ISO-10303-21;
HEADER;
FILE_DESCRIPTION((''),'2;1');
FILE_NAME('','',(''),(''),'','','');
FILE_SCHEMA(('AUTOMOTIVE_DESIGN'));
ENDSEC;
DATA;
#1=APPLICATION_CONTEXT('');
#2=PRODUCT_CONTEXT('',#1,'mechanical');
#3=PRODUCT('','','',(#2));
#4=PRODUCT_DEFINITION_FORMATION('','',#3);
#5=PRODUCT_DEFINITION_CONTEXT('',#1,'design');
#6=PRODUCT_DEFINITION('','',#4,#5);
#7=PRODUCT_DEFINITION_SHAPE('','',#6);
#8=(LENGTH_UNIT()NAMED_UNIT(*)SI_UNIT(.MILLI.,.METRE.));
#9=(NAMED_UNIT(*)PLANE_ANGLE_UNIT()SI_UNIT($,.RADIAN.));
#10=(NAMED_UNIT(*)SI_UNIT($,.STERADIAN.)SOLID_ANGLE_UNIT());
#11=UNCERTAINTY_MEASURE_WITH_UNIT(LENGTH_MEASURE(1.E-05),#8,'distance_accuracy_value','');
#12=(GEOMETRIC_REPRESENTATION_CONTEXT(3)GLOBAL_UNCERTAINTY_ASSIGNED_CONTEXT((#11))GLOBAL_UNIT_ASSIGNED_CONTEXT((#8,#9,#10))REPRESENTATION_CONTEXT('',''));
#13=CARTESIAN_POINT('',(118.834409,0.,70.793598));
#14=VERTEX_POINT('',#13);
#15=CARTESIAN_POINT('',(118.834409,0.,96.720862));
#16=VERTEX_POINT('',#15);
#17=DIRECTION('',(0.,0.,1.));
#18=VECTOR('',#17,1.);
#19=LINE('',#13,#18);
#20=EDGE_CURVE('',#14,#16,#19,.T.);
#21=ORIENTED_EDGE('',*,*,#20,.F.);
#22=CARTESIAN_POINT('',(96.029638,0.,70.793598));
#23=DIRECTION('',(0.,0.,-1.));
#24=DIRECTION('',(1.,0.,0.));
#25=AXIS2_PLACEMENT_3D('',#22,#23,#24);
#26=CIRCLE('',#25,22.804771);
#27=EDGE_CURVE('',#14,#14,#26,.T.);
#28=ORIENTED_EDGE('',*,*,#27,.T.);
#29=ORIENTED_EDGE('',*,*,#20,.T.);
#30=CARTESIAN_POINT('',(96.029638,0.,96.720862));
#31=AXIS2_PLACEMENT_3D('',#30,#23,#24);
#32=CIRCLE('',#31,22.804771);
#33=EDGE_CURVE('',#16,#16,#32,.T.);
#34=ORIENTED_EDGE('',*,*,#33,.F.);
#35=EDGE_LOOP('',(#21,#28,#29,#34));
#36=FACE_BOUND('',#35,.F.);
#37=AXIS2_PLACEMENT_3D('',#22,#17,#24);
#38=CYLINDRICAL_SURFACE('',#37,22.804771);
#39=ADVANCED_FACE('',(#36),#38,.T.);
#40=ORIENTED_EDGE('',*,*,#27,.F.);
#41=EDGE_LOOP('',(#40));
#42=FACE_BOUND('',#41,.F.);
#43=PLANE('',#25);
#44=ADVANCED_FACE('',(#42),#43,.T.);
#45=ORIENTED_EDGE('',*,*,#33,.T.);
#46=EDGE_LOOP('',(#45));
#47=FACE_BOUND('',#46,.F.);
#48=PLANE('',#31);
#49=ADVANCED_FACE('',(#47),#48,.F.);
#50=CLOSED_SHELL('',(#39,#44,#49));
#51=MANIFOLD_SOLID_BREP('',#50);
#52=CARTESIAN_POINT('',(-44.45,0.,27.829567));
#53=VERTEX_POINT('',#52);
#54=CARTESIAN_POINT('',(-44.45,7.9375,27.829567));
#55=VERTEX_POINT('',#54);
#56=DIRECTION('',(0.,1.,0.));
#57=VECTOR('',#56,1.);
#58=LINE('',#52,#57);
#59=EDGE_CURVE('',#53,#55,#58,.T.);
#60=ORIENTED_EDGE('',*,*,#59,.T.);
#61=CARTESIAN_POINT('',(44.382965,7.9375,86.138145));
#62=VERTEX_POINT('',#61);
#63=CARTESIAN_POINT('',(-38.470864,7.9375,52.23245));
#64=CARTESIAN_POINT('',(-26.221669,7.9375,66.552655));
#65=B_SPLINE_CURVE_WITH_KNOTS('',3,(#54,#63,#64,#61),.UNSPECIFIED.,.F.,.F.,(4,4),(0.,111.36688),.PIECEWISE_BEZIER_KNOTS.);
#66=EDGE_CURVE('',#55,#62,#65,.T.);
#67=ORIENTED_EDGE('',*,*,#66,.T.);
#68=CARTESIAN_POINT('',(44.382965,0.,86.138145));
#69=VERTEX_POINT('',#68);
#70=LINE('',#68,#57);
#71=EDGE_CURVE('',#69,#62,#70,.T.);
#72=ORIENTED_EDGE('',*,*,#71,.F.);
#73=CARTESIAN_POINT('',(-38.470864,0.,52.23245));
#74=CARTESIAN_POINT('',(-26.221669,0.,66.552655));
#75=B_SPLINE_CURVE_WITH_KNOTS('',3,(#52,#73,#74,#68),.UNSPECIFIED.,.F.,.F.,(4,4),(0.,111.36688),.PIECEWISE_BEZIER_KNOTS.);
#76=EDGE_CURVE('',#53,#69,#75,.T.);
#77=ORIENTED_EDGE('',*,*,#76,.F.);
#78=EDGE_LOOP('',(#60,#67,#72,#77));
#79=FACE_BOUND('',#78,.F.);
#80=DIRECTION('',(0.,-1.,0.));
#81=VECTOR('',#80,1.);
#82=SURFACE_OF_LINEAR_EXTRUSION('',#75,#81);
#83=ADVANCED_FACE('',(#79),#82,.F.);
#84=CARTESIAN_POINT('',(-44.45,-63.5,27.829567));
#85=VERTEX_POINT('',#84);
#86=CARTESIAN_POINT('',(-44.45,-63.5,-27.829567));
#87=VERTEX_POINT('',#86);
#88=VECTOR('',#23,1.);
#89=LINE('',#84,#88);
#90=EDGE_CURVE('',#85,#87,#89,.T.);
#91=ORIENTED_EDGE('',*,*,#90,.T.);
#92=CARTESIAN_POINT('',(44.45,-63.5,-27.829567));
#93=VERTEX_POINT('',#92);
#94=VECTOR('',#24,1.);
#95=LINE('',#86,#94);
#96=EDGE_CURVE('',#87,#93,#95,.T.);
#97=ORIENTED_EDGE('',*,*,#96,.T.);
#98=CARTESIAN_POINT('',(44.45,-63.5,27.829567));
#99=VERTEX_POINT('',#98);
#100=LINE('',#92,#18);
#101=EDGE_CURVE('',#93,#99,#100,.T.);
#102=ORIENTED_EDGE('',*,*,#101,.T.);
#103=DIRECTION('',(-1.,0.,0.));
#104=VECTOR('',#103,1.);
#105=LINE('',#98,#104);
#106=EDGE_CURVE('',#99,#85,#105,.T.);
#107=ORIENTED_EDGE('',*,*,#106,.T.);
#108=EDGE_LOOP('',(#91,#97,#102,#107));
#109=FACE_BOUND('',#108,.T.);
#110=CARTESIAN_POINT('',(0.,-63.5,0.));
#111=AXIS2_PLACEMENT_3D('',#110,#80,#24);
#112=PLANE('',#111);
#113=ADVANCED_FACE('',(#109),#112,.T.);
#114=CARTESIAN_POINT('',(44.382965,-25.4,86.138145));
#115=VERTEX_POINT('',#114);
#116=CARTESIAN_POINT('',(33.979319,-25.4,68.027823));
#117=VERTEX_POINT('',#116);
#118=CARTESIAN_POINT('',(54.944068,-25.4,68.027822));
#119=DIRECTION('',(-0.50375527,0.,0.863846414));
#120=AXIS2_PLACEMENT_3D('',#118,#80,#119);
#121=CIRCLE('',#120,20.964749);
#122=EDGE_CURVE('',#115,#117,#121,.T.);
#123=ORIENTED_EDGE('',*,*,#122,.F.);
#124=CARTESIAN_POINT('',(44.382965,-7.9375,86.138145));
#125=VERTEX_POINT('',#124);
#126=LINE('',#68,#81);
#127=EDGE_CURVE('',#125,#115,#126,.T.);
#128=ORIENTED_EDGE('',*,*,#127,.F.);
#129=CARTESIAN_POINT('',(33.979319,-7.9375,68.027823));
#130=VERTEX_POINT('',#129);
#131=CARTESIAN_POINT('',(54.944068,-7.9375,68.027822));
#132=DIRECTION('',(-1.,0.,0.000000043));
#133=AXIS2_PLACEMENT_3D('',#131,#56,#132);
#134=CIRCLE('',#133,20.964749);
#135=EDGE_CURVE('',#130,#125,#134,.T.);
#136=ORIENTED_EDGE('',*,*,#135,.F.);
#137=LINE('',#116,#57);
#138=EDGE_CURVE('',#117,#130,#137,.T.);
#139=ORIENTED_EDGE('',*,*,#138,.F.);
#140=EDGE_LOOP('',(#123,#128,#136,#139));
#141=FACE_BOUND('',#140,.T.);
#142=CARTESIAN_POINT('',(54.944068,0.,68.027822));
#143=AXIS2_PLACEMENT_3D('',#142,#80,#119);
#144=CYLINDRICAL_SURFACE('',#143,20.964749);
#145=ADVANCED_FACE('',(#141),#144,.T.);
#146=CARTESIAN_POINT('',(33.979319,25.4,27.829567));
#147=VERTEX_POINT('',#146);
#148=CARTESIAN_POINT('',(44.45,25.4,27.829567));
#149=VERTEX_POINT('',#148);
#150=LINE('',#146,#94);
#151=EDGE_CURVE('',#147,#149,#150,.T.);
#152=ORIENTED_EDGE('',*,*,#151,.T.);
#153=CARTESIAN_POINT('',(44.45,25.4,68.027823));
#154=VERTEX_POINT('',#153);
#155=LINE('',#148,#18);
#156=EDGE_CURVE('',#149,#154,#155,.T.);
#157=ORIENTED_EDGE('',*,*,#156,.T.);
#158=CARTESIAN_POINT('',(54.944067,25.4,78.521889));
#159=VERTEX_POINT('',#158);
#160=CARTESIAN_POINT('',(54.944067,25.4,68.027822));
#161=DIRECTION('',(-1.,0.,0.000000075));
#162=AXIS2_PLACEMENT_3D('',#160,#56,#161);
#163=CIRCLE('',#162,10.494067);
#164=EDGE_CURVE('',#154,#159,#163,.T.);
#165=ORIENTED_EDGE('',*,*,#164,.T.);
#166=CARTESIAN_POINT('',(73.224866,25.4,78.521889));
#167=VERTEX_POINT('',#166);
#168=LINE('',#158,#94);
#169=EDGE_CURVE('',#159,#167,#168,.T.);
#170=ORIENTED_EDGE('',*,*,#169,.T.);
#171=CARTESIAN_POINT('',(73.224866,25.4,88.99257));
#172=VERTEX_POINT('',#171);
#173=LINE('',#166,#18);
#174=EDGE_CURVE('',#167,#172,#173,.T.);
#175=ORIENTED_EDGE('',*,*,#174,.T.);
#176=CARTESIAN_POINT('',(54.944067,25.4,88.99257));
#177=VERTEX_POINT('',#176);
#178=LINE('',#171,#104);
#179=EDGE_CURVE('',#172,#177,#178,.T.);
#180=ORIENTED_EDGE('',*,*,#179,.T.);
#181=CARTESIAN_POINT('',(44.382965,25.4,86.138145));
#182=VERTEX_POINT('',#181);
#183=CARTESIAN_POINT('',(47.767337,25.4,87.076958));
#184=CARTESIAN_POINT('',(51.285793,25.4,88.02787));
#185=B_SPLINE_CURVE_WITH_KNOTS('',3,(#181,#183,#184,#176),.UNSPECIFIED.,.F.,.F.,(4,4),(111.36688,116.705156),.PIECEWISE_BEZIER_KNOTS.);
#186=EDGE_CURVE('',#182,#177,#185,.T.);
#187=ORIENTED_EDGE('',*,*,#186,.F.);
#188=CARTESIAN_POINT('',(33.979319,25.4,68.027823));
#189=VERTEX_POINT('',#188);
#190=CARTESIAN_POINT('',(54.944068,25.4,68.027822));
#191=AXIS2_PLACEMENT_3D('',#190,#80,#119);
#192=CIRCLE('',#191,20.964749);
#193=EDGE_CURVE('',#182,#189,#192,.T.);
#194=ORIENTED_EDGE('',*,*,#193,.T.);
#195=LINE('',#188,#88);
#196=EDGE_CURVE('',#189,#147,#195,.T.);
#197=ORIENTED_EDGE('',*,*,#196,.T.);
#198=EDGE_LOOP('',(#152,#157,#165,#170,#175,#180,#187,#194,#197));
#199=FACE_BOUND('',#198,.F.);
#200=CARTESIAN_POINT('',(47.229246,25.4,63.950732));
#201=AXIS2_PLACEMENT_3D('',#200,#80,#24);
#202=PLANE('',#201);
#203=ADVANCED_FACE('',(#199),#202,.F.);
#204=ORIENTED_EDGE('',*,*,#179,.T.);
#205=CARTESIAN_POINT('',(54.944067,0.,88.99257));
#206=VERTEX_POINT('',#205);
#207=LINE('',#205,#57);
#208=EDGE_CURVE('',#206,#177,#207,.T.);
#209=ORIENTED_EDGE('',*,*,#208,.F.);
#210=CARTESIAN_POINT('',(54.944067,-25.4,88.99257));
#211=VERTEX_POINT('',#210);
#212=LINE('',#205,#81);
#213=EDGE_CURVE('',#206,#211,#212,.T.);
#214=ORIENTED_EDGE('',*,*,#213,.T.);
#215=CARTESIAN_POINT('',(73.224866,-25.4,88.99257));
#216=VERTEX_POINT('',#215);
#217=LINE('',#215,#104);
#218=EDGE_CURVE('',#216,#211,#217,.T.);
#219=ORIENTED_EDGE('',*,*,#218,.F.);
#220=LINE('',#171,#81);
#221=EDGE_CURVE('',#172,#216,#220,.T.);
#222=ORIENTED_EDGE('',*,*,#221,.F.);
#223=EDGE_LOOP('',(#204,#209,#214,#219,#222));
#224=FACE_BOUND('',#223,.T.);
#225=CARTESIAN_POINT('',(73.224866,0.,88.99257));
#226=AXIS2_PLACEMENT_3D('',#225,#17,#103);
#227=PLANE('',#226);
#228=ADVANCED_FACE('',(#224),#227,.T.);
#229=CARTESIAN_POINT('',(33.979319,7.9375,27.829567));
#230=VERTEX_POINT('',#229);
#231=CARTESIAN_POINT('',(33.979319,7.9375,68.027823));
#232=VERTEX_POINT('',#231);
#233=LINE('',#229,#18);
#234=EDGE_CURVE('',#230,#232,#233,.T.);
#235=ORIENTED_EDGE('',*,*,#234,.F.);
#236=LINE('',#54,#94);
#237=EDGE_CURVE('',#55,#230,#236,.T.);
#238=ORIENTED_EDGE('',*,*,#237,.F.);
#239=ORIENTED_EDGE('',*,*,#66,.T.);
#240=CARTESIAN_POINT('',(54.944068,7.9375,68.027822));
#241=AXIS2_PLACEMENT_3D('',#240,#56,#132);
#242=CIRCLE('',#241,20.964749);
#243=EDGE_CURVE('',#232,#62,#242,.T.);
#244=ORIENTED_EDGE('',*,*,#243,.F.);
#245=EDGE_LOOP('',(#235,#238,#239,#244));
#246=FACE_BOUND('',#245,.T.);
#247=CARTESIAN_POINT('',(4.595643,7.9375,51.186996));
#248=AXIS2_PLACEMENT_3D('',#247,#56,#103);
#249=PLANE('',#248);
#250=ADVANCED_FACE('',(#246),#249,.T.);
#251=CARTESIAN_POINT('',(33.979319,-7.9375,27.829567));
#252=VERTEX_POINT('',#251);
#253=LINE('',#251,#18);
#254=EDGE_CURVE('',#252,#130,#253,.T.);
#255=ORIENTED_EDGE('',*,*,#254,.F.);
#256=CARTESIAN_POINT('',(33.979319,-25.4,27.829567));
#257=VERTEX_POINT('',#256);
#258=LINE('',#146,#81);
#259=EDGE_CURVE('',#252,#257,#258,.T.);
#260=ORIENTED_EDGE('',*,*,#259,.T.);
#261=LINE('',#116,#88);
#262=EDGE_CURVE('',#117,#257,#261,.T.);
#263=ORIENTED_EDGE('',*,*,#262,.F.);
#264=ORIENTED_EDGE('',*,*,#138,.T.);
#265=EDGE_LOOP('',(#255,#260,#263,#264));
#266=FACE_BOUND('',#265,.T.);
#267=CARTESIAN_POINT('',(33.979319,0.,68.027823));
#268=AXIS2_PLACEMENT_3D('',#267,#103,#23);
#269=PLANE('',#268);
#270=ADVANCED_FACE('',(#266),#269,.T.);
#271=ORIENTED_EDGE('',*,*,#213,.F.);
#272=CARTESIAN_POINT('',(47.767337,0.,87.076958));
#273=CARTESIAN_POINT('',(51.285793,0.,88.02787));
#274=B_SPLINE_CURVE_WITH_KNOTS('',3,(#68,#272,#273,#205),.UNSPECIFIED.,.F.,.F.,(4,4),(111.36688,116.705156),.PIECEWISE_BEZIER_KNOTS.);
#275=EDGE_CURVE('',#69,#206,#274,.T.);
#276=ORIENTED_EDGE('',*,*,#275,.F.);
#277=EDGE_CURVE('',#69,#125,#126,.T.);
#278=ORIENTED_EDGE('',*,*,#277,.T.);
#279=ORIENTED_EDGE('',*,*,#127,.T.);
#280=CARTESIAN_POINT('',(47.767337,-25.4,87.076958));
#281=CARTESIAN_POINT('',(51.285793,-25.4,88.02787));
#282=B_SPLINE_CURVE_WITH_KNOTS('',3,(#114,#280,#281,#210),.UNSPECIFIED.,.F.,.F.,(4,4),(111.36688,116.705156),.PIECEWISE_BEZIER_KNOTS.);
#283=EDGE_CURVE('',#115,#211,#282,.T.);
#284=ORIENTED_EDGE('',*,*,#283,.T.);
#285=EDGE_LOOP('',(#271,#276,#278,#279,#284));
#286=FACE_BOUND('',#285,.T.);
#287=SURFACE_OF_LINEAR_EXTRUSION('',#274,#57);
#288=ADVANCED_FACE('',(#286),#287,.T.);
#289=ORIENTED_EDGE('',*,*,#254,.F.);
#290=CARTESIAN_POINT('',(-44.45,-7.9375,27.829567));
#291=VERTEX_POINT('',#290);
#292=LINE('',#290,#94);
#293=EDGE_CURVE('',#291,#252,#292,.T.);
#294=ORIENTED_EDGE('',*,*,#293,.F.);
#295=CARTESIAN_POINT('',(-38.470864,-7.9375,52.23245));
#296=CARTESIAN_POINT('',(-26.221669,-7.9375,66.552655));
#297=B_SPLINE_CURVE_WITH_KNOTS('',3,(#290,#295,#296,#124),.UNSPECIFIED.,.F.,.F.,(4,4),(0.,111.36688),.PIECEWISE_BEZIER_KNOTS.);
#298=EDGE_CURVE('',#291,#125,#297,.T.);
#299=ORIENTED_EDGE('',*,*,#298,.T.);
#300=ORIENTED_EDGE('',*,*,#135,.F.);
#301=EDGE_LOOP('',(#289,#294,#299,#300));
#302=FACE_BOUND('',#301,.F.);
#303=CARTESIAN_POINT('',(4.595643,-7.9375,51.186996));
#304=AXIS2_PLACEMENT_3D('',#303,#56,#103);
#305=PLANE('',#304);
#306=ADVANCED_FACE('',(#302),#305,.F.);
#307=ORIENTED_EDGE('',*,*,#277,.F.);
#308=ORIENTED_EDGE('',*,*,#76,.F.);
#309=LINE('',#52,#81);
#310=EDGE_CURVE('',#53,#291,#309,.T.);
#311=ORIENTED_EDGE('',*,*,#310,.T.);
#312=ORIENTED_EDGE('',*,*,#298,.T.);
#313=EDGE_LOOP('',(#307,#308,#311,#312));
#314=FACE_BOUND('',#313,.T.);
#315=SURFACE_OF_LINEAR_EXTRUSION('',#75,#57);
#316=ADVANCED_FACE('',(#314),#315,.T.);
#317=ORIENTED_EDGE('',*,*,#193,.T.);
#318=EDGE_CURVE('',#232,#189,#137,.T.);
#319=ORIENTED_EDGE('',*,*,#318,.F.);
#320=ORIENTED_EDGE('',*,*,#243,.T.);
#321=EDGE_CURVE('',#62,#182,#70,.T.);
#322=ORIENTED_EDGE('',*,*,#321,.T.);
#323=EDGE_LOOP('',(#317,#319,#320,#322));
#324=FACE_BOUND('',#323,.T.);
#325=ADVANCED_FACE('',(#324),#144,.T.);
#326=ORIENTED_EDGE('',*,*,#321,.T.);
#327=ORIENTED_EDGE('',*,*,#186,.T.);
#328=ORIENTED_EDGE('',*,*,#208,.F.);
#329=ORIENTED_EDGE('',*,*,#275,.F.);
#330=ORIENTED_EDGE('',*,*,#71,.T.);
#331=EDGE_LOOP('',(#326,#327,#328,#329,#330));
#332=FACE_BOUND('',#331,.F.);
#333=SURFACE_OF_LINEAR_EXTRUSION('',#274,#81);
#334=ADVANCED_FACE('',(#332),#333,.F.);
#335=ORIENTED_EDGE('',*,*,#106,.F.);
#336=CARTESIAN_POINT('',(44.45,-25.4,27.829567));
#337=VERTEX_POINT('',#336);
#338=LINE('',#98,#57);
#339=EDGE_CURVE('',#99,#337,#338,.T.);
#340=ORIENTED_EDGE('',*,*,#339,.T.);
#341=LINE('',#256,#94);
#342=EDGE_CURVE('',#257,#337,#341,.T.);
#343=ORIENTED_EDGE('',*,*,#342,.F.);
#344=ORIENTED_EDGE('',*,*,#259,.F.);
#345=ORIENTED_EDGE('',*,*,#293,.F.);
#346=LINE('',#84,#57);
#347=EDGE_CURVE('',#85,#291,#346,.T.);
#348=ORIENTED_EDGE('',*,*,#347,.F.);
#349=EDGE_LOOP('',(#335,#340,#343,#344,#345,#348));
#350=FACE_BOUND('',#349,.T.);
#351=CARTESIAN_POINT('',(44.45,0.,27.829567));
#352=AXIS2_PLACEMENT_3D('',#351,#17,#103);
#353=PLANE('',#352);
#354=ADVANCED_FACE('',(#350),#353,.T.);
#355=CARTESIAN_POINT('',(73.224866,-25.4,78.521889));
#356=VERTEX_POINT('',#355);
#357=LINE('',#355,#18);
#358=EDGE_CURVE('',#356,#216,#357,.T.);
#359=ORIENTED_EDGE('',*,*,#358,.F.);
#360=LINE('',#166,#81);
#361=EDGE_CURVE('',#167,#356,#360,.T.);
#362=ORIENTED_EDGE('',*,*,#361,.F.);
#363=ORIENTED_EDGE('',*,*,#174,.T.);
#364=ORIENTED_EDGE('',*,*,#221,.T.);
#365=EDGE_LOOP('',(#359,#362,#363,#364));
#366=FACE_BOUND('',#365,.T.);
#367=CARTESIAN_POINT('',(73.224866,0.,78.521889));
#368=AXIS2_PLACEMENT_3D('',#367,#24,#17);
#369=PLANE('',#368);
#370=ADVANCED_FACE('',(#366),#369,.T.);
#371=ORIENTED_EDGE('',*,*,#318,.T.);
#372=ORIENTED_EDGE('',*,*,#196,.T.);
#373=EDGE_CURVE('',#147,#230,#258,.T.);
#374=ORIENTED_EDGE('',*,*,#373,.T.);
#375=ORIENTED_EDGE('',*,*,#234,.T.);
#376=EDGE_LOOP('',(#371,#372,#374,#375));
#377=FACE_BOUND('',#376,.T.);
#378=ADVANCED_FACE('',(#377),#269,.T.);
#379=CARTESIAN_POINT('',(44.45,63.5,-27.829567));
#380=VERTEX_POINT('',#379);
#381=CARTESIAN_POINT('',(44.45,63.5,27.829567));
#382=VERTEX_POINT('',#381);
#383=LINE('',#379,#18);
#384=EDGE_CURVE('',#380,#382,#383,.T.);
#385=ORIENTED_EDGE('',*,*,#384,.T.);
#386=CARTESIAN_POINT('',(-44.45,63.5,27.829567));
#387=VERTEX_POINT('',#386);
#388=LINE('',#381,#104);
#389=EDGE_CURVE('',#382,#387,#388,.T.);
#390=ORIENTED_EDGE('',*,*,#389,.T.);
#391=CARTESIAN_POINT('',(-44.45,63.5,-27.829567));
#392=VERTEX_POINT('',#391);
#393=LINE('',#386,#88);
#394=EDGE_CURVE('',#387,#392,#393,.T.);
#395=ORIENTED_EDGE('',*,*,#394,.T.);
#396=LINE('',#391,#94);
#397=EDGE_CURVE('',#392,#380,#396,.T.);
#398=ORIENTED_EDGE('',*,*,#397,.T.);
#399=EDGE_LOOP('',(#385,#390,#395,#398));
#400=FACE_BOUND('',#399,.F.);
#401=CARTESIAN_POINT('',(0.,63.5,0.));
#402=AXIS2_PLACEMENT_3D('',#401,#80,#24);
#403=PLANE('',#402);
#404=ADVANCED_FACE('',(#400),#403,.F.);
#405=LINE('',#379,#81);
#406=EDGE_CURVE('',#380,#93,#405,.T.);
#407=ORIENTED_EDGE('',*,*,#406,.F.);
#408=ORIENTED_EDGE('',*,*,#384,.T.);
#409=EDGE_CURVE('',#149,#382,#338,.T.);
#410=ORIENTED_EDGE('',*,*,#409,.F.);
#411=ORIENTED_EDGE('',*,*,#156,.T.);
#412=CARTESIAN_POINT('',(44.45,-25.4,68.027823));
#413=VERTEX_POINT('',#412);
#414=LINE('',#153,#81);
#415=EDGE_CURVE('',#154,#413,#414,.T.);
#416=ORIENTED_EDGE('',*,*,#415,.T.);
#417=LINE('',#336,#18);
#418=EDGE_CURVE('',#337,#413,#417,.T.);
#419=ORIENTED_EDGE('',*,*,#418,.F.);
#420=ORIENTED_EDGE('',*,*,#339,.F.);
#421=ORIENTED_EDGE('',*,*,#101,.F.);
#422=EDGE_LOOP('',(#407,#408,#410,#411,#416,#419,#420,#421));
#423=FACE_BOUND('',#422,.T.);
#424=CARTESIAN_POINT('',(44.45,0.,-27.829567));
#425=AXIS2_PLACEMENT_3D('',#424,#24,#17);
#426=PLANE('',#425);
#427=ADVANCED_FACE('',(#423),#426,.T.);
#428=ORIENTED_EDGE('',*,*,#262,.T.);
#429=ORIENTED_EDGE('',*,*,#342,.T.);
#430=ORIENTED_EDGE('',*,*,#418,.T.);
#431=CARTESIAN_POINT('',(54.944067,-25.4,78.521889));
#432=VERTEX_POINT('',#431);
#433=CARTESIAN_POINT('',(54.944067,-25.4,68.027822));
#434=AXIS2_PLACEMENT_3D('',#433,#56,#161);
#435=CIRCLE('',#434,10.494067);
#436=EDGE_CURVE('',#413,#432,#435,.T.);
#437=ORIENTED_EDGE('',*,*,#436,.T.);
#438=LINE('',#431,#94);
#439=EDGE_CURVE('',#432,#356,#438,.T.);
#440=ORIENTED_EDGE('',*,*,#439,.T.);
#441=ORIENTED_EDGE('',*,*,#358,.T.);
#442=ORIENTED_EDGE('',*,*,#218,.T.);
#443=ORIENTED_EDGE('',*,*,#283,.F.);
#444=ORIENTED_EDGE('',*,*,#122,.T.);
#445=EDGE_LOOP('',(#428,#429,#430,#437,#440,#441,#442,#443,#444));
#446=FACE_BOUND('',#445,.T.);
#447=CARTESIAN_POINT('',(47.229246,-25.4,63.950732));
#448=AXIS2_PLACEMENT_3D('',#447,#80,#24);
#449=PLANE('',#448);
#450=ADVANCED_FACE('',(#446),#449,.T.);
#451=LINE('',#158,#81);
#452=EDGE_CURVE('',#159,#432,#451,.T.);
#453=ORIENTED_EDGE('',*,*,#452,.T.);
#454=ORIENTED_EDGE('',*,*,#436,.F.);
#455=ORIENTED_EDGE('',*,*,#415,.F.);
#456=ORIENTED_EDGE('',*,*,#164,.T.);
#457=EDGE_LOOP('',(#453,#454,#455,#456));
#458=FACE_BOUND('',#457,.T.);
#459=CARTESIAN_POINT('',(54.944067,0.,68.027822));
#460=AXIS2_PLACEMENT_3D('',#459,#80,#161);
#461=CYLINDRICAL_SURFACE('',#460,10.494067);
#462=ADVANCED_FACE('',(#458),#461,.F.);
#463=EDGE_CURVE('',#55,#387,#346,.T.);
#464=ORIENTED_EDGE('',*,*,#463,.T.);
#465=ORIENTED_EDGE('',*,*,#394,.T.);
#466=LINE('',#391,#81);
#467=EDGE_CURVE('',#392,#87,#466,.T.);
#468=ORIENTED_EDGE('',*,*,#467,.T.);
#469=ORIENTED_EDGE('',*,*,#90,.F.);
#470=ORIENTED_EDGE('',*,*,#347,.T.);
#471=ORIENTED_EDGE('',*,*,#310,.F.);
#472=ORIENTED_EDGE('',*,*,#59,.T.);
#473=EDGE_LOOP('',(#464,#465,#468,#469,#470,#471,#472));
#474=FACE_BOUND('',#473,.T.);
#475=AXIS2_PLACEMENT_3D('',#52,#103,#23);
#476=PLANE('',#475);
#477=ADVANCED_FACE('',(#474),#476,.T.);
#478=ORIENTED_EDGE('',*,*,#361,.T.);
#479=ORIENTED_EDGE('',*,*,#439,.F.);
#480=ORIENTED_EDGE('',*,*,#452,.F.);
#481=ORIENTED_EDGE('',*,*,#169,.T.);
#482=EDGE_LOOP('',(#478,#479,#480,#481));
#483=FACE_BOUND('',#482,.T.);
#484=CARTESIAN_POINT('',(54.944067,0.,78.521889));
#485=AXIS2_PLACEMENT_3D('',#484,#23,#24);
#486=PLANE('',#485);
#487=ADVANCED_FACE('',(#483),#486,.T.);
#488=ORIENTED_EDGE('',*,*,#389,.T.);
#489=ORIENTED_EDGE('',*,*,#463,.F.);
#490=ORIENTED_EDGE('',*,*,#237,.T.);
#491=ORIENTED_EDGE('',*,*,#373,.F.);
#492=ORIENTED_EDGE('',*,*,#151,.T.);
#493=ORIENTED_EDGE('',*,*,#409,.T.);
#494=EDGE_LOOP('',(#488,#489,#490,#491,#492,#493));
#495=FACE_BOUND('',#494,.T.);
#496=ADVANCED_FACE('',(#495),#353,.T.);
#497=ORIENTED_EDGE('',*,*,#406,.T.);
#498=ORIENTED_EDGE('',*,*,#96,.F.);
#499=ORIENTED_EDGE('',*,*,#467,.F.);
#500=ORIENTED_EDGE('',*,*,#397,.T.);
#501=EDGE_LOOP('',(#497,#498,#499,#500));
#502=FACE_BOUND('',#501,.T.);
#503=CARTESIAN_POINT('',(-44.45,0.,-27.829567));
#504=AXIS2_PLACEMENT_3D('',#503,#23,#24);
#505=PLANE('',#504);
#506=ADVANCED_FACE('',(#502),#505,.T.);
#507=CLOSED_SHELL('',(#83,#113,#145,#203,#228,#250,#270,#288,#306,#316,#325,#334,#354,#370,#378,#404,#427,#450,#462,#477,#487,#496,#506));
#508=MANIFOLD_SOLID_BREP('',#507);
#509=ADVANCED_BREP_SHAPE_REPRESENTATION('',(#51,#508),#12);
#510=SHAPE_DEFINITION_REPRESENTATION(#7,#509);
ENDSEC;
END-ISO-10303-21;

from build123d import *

# Parameters (mm, degrees)
F1_DEPTH = 63.5
F2_DEPTH = 25.4
F3_DEPTH = 7.9375


with BuildPart() as f1:
    # F0 (on Front) → F1 (new body, symmetric)
    with BuildSketch(Plane.XZ):
        Polygon((33.979319, 27.829567), (-44.45, 27.829567), (-44.45, -27.829567), (44.45, -27.829567), (44.45, 27.829567), align=None)
    extrude(amount=F1_DEPTH, both=True)

    # F0 (on Front) → F2 (join, symmetric)
    with BuildSketch(Plane.XZ):
        with BuildLine():
            Line((33.979319, 68.027823), (33.979319, 27.829567))
            Line((33.979319, 27.829567), (44.45, 27.829567))
            Line((44.45, 27.829567), (44.45, 68.027823))
            ThreePointArc((44.45, 68.027823), (47.523641, 75.448248), (54.944067, 78.521889))
            Line((54.944067, 78.521889), (73.224866, 78.521889))
            Line((73.224866, 78.521889), (73.224866, 88.99257))
            Line((73.224866, 88.99257), (54.944067, 88.99257))
            add(Edge.make_bspline(
                [(44.382965, 86.138145), (47.767337, 87.076958), (51.285793, 88.02787), (54.944067, 88.99257)],
                knots=[111.36688, 111.36688, 111.36688, 111.36688, 116.705156, 116.705156, 116.705156, 116.705156], degree=3))
            ThreePointArc((44.382965, 86.138145), (36.76535, 78.470758), (33.979319, 68.027823))
        make_face()
    extrude(amount=F2_DEPTH, both=True)

    # F0 (on Front) → F3 (join, symmetric)
    with BuildSketch(Plane.XZ):
        with BuildLine():
            add(Edge.make_bspline(
                [(-44.45, 27.829567), (-38.470864, 52.23245), (-26.221669, 66.552655), (44.382965, 86.138145)],
                knots=[0, 0, 0, 0, 111.36688, 111.36688, 111.36688, 111.36688], degree=3))
            Line((-44.45, 27.829567), (33.979319, 27.829567))
            Line((33.979319, 27.829567), (33.979319, 68.027823))
            ThreePointArc((33.979319, 68.027823), (36.76535, 78.470758), (44.382965, 86.138145))
        make_face()
    extrude(amount=F3_DEPTH, both=True)

    # F0 (on Front) → F4 (revolve)
    with BuildSketch(Plane.XZ):
        Polygon((96.029638, 96.720862), (96.029638, 88.99257), (96.029638, 78.521889), (96.029638, 70.793598), (118.834409, 70.793598), (118.834409, 96.720862), align=None)
    revolve(axis=Axis((96.029638, 0, 83.75723), (0, 0, -1)))


solid = f1.part
